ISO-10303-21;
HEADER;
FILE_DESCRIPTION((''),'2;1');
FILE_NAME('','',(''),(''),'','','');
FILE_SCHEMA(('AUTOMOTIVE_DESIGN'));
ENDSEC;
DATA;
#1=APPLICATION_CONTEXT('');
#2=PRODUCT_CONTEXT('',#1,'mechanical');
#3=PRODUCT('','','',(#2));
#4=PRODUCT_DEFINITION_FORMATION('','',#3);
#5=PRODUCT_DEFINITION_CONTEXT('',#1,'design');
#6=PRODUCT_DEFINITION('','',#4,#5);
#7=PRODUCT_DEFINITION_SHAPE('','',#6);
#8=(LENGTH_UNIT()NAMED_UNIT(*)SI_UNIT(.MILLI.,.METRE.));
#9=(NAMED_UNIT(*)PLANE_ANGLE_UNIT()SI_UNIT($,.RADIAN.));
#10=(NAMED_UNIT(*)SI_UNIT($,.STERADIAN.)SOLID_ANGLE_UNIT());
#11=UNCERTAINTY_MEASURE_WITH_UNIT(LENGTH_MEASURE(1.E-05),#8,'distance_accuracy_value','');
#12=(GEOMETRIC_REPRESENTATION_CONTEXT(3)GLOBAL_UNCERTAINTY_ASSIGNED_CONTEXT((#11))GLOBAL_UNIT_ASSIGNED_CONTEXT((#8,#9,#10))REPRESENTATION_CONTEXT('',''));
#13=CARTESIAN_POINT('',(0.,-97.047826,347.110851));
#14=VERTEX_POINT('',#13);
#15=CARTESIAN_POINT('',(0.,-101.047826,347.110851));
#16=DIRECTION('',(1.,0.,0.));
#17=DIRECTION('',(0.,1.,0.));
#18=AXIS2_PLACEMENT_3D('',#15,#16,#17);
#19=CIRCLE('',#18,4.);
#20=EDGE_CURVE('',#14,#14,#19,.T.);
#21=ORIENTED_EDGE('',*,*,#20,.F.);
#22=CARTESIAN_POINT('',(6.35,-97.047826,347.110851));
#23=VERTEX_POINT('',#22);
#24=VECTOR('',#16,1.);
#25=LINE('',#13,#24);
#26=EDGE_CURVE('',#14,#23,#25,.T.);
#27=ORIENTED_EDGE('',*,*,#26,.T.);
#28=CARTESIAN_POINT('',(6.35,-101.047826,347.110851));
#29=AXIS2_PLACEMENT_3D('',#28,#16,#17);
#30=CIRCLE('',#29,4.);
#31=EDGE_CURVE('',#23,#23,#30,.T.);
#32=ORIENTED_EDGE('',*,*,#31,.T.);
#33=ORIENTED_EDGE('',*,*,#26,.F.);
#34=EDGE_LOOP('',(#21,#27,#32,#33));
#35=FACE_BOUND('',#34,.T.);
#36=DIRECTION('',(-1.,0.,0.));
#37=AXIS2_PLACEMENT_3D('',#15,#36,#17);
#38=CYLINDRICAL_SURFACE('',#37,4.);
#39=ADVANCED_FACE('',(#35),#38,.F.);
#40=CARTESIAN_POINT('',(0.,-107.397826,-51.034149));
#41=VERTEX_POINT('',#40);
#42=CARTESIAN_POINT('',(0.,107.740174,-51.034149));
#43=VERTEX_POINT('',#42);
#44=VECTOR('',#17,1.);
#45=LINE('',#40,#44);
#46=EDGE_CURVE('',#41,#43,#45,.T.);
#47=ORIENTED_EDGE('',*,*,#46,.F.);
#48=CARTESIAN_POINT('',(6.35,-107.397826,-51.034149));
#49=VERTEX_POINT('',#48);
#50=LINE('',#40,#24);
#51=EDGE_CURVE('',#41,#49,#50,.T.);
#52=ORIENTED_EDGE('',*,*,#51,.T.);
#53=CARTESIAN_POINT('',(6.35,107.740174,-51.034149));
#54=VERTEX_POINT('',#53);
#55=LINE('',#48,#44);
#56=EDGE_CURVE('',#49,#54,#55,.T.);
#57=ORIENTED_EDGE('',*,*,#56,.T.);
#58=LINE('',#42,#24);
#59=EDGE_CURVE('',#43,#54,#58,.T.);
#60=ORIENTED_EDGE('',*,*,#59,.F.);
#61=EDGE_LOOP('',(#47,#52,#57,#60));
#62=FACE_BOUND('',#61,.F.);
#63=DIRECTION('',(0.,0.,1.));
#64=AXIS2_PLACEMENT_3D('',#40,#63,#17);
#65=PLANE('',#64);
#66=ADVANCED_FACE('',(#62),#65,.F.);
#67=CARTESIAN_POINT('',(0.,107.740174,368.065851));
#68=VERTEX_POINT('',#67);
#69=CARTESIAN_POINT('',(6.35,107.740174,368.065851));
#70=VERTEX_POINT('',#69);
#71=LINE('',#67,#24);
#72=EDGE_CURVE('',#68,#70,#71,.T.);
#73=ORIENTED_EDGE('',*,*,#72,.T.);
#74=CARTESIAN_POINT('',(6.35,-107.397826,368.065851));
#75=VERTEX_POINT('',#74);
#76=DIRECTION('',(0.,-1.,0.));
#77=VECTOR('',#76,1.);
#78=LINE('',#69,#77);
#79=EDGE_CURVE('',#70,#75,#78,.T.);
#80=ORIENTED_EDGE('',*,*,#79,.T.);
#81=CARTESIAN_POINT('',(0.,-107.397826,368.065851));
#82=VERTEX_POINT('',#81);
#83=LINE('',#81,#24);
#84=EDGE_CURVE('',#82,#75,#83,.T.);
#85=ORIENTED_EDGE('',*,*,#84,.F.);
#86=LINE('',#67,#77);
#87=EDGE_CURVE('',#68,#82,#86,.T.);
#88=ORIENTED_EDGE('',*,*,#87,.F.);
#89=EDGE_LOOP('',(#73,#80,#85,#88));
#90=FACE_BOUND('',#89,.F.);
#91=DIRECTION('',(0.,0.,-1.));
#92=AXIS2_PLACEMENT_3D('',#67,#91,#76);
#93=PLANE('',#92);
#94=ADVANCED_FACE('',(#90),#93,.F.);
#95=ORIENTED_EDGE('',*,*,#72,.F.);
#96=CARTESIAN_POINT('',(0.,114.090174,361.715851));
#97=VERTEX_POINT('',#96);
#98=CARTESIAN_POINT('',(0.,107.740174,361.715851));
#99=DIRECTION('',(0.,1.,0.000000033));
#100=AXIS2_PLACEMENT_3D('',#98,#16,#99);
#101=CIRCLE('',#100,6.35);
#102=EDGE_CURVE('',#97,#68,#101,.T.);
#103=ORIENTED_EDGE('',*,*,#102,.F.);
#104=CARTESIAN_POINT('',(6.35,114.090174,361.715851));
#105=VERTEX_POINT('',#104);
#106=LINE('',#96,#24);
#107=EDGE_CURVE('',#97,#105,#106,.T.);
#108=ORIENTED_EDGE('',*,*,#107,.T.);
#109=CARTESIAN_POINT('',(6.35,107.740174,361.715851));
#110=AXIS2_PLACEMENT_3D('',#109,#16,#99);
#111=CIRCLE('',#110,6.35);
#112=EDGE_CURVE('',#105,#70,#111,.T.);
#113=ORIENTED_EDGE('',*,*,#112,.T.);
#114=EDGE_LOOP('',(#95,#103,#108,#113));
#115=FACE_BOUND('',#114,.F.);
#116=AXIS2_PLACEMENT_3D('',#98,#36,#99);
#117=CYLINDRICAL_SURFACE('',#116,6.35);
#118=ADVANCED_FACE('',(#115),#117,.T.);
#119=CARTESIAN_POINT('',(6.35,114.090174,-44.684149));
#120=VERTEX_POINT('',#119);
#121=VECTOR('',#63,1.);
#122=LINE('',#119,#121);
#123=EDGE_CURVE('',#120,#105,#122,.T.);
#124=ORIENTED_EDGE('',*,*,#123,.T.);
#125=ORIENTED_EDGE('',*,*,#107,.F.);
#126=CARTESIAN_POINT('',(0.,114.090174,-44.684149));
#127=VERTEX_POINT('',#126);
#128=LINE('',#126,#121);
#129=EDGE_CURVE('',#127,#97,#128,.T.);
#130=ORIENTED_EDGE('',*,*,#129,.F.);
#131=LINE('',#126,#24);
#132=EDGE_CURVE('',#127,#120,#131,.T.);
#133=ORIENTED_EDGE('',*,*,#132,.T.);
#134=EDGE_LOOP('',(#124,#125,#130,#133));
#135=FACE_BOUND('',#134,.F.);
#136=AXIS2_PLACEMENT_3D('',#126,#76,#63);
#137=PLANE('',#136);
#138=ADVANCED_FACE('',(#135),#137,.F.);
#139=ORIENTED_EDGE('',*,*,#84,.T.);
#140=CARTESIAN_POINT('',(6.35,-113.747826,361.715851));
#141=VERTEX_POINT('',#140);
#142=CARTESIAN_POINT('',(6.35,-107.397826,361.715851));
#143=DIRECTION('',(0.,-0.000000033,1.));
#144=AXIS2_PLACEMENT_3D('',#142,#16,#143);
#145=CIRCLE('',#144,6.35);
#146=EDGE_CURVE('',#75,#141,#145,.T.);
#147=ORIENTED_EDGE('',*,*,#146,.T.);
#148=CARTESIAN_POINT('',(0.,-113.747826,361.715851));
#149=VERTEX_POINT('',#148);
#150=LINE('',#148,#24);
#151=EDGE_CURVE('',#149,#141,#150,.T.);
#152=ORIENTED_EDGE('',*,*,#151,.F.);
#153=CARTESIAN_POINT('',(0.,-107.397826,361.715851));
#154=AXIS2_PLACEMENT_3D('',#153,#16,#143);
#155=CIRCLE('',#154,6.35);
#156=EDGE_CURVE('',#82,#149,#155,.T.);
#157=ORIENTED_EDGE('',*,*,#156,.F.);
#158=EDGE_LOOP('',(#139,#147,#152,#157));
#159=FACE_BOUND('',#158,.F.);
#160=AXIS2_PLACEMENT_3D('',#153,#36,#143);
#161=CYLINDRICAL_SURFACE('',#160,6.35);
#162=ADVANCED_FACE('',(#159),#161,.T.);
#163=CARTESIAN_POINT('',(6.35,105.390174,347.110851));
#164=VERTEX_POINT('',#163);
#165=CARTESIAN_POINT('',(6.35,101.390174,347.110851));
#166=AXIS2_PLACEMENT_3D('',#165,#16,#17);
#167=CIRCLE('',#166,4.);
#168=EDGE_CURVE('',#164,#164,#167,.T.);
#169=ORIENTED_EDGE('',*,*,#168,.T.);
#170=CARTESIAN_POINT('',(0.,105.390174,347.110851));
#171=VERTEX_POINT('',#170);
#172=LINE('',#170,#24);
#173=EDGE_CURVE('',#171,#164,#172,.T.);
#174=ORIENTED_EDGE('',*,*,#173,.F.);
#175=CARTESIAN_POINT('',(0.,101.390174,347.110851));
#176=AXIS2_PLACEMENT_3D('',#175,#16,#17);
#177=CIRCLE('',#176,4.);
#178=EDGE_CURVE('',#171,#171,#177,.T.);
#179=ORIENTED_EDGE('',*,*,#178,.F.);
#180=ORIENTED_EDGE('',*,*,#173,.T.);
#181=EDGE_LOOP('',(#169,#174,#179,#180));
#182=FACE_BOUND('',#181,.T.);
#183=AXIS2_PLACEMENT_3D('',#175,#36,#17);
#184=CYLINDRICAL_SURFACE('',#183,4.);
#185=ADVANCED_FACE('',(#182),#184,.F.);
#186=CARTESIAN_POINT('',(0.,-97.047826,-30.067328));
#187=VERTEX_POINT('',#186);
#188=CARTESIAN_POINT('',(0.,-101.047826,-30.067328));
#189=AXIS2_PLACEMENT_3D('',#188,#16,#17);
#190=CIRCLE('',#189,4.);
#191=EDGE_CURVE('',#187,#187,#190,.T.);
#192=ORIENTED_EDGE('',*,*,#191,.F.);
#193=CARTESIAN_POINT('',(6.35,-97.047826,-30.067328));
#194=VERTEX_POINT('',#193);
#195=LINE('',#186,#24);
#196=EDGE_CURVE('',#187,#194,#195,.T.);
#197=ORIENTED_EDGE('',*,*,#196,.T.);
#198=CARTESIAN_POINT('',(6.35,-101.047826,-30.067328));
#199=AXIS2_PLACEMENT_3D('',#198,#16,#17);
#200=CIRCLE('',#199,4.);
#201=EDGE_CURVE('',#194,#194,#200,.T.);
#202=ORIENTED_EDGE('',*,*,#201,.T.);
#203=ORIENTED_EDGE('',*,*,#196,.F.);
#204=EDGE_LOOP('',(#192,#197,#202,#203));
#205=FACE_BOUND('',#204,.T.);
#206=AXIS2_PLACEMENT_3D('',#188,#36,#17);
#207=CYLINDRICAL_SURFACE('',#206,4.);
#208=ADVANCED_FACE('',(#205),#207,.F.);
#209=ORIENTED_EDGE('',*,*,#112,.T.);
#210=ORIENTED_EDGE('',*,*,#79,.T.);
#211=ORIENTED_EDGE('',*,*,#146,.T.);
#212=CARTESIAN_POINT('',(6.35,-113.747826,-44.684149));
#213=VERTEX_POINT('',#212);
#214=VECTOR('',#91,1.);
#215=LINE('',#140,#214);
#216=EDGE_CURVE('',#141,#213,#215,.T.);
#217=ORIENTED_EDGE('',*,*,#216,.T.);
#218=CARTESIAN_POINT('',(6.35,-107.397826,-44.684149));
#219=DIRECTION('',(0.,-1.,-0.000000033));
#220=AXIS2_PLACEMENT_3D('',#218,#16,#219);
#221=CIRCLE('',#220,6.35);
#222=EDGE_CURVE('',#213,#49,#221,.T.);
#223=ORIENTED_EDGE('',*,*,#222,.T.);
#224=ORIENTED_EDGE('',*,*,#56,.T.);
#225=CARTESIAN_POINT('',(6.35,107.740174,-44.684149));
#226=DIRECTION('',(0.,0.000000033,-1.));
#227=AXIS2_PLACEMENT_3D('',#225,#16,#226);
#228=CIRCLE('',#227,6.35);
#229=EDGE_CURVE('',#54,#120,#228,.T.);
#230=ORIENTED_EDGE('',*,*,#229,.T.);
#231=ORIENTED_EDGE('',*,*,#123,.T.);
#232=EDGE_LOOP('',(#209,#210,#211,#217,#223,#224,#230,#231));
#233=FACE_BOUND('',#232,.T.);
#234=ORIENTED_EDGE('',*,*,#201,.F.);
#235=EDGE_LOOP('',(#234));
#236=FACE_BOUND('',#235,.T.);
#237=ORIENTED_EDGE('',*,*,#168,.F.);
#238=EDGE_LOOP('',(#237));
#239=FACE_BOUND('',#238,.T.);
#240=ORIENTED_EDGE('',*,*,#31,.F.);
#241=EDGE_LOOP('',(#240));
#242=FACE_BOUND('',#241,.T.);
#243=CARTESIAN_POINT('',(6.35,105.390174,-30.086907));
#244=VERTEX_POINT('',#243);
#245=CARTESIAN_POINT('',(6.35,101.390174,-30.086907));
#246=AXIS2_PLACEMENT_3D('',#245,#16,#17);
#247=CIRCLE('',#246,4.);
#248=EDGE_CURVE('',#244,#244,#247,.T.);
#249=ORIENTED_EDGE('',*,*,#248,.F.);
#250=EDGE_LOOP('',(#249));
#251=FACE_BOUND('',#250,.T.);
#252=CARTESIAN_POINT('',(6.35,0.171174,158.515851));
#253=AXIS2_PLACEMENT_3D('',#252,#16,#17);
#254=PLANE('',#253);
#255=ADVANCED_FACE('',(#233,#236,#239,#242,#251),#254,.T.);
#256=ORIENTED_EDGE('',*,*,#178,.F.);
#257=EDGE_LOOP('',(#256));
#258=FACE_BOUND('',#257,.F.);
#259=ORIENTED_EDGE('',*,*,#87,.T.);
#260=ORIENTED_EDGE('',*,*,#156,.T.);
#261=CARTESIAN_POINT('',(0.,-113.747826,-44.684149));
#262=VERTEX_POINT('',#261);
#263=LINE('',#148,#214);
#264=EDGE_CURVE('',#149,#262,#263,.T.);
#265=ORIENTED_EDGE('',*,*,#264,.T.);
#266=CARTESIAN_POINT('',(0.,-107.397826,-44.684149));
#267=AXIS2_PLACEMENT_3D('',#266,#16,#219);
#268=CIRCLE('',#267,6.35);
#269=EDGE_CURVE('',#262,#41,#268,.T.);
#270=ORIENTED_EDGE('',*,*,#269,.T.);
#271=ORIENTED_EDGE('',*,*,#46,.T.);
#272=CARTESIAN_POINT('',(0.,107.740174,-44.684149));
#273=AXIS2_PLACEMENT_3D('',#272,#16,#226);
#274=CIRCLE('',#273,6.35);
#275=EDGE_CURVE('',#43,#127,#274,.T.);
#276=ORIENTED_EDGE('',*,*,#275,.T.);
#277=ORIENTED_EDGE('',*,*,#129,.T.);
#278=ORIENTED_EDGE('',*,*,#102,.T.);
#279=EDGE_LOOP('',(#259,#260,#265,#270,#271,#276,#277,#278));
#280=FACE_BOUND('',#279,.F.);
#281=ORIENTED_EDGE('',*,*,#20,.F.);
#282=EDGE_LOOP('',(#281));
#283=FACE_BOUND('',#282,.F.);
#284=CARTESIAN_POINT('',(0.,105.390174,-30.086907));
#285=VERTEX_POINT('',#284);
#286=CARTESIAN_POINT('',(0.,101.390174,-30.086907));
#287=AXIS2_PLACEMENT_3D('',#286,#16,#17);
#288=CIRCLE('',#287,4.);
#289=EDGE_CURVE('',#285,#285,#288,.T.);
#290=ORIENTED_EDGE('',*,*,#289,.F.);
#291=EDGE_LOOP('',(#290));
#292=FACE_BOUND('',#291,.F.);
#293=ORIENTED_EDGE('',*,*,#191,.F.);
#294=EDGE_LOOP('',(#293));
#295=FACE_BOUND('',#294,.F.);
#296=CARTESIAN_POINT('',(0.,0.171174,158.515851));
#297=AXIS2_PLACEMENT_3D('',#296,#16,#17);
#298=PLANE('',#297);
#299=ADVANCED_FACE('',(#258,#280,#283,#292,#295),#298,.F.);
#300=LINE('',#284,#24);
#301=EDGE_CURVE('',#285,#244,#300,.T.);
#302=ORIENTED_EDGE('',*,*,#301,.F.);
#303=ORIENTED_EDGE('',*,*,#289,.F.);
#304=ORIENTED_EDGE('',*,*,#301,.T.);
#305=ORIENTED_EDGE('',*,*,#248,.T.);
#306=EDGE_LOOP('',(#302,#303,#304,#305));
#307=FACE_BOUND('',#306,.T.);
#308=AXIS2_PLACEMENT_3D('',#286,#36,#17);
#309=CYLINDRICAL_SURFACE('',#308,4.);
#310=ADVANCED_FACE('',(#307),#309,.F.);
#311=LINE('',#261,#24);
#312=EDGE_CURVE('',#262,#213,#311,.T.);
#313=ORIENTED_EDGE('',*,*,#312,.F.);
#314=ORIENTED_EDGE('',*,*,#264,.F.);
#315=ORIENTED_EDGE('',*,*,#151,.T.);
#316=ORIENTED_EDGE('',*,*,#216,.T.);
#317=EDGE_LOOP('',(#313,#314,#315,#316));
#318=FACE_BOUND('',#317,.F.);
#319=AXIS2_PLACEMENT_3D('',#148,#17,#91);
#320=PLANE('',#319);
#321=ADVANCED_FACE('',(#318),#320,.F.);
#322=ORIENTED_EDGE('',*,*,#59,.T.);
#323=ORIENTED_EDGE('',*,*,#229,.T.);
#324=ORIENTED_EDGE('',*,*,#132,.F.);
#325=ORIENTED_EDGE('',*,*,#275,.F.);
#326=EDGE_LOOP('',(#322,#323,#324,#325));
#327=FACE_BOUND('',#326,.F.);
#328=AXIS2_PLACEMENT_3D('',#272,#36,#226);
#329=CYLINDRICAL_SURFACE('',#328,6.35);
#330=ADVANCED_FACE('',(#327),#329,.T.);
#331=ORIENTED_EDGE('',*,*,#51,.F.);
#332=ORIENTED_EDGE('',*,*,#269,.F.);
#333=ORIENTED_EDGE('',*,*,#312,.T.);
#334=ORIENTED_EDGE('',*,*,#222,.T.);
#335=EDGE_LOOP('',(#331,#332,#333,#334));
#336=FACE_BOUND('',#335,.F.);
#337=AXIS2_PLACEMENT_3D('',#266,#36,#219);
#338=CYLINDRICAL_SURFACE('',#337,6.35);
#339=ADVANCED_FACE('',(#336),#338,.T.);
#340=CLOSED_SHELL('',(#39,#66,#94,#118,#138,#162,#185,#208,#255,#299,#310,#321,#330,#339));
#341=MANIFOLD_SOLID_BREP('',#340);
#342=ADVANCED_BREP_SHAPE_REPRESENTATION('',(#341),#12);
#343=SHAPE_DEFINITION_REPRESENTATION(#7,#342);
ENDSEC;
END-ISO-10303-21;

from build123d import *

# Parameters (mm, degrees)
F0_R     = 4
F1_DEPTH = 6.35


with BuildPart() as f1:
    # F0 (on Right) → F1 (new body)
    with BuildSketch(Plane.YZ):
        with BuildLine():
            Line((107.740174, 368.065851), (-107.397826, 368.065851))
            ThreePointArc((-107.397826, 368.065851), (-111.887954, 366.205979), (-113.747826, 361.715851))
            Line((-113.747826, 361.715851), (-113.747826, -44.684149))
            ThreePointArc((-113.747826, -44.684149), (-111.887954, -49.174277), (-107.397826, -51.034149))
            Line((-107.397826, -51.034149), (107.740174, -51.034149))
            ThreePointArc((107.740174, -51.034149), (112.230302, -49.174277), (114.090174, -44.684149))
            Line((114.090174, -44.684149), (114.090174, 361.715851))
            ThreePointArc((114.090174, 361.715851), (112.230302, 366.205979), (107.740174, 368.065851))
        make_face()
        with Locations((-101.047826, -30.067328)):
            Circle(F0_R, mode=Mode.SUBTRACT)
        with Locations((101.390174, -30.086907)):
            Circle(F0_R, mode=Mode.SUBTRACT)
        with Locations((-101.047826, 347.110851)):
            Circle(F0_R, mode=Mode.SUBTRACT)
        with Locations((101.390174, 347.110851)):
            Circle(F0_R, mode=Mode.SUBTRACT)
    extrude(amount=F1_DEPTH)


solid = f1.part
